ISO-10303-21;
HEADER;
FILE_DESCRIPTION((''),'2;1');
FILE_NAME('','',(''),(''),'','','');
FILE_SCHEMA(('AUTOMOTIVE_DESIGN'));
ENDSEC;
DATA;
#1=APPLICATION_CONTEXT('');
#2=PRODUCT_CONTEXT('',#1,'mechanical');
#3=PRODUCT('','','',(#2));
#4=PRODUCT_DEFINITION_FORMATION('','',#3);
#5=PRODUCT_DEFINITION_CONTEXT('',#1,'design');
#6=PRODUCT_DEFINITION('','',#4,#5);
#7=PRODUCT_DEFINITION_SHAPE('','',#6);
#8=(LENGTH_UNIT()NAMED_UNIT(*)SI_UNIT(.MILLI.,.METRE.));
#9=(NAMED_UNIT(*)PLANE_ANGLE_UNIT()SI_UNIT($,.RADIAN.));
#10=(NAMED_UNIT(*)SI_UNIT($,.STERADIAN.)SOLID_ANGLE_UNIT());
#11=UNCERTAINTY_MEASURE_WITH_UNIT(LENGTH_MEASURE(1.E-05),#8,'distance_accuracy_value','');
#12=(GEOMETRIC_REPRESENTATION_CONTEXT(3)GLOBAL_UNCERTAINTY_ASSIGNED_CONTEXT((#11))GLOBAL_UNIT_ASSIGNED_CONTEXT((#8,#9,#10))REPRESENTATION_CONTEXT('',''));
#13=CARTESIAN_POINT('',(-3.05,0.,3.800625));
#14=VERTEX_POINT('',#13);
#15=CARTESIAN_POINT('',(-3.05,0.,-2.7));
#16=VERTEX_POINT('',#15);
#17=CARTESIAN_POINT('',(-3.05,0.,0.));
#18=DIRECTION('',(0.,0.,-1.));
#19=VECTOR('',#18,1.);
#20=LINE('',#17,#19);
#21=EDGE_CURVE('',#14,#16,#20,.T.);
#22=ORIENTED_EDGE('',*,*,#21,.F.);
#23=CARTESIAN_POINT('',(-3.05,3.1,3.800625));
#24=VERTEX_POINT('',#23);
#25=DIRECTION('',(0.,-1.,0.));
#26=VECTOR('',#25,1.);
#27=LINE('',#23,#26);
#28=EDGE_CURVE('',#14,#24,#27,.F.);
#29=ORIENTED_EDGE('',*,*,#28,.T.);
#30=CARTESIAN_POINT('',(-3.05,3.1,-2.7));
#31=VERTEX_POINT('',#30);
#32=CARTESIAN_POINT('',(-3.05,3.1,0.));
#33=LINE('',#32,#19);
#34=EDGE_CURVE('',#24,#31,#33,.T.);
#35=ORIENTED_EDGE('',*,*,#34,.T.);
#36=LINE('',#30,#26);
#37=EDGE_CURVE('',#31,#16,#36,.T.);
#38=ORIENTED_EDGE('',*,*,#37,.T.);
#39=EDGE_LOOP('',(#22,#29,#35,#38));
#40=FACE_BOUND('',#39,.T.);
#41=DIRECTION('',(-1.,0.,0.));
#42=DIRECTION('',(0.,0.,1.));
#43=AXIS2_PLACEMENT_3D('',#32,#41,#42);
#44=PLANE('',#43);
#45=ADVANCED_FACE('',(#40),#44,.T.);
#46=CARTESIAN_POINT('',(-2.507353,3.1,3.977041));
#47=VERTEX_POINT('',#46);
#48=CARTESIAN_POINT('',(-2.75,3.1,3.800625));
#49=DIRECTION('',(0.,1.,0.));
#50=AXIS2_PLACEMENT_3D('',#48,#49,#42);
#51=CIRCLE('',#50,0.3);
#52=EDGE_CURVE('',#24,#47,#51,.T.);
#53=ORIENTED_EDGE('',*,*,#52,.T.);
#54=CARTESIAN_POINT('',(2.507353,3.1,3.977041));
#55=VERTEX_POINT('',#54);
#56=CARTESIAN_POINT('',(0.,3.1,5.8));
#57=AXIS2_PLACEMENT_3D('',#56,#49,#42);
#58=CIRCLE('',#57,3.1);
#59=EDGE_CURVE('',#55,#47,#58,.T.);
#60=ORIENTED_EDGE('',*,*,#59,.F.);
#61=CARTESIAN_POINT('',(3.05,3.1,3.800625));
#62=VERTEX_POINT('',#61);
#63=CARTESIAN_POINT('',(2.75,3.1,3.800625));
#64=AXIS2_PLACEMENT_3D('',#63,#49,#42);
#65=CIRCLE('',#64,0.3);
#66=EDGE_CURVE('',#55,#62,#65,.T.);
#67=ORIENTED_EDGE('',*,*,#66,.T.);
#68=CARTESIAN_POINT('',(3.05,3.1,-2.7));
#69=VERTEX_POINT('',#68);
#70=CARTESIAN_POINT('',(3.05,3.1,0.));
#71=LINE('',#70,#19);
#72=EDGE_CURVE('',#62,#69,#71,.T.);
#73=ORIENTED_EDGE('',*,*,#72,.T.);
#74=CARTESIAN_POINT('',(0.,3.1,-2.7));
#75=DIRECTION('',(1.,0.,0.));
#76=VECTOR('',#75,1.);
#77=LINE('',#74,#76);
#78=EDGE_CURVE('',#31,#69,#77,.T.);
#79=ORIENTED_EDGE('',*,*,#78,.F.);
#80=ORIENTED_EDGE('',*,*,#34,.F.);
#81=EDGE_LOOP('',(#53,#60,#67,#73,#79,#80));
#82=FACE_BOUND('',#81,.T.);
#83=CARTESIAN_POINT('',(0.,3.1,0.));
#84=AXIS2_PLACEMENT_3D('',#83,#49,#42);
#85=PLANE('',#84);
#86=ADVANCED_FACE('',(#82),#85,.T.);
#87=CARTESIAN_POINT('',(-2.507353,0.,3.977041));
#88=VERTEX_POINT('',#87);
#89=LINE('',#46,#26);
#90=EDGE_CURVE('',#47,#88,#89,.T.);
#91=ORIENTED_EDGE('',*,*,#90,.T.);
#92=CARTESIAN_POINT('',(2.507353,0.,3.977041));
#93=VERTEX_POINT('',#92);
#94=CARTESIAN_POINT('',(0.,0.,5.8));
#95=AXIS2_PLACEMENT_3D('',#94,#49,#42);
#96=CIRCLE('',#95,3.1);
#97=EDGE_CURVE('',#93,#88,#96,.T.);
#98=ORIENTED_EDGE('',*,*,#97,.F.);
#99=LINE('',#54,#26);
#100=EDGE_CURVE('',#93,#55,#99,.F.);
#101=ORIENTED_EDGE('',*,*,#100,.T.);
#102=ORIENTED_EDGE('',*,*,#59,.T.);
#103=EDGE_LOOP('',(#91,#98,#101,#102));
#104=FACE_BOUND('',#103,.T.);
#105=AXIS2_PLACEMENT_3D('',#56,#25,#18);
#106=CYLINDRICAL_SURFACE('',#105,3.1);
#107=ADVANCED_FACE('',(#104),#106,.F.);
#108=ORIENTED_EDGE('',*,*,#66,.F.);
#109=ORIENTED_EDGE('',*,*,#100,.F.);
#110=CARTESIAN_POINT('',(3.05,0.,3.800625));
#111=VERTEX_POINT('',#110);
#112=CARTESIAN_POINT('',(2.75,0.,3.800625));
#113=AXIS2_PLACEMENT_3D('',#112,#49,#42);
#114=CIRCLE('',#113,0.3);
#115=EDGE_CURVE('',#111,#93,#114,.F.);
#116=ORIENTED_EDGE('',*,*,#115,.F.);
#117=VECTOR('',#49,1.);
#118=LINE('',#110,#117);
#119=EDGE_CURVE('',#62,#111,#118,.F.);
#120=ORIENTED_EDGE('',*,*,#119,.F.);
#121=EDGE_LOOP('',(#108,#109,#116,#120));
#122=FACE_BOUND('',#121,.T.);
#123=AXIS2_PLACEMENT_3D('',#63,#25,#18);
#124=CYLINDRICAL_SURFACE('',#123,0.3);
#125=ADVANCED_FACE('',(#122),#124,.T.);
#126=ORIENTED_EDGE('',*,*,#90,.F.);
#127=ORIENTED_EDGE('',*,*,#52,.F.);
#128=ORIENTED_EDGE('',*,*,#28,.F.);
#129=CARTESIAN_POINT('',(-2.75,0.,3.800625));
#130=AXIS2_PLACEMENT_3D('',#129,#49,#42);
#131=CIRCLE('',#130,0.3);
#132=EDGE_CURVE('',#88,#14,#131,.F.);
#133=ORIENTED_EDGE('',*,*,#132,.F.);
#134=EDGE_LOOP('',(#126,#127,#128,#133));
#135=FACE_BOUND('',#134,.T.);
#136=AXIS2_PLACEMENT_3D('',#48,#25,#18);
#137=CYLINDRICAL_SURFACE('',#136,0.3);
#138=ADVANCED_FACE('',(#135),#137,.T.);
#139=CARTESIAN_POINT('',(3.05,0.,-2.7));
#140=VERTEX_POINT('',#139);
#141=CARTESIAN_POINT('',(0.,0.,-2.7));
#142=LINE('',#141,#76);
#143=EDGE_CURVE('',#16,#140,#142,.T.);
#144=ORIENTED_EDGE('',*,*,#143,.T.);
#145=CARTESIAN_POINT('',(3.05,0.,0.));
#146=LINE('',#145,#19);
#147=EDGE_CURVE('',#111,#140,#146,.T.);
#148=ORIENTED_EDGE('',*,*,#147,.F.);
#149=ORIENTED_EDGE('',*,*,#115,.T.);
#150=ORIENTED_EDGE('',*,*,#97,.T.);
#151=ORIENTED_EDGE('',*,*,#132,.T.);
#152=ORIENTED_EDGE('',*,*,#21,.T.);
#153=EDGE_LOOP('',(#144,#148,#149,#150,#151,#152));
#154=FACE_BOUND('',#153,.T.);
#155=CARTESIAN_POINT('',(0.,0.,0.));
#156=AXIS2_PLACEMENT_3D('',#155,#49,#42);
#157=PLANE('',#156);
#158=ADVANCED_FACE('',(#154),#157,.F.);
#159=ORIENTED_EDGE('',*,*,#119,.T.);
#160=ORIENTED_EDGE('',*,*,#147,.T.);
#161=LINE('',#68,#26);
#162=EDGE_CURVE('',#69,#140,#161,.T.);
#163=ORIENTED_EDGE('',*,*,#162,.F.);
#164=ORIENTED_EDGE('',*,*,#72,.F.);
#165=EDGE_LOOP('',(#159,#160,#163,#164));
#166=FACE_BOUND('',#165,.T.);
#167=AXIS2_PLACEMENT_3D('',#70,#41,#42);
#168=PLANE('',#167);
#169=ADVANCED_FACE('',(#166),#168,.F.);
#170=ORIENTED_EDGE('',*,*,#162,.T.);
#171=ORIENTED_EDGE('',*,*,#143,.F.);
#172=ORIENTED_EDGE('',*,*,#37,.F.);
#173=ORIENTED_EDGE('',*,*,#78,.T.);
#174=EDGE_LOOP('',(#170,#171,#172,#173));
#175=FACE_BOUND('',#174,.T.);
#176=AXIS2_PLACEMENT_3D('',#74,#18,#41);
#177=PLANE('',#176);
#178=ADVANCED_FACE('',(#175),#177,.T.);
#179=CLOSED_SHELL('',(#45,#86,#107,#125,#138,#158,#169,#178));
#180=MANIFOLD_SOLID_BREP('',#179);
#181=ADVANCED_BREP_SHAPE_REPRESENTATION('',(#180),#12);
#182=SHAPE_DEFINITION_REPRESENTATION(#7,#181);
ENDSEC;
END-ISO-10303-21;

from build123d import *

# Parameters (mm, degrees)
SKETCH1_W           = 6.1
SKETCH1_H           = 5.4
BOSS_EXTRUDE2_DEPTH = 3.1
FILLET1_R           = 0.3


with BuildPart() as part:
    # Sketch1 → Boss-Extrude2 (new body)
    with BuildSketch(Plane(origin=(0, 0, 0), x_dir=(1, 0, 0), z_dir=(0, 1, 0))):
        Rectangle(SKETCH1_W, SKETCH1_H)
        with BuildLine():
            Line((0, -2.7), (-3.05, -2.7))
            Line((-3.05, -2.7), (-3.05, -5.245473175))
            ThreePointArc((-3.05, -5.245473175), (-1.986324098, -3.419975509), (0, -2.7))
        make_face()
        with BuildLine():
            Line((3.05, -2.7), (0, -2.7))
            ThreePointArc((0, -2.7), (1.986324098, -3.419975509), (3.05, -5.245473175))
            Line((3.05, -5.245473175), (3.05, -2.7))
        make_face()
    extrude(amount=BOSS_EXTRUDE2_DEPTH)

    # Fillet1
    fillet1_edges = [part.edges().sort_by_distance(p)[0] for p in [
        (3.05, 1.55, 5.245473175),
        (-3.05, 1.55, 5.245473175),
    ]]
    fillet(fillet1_edges, radius=FILLET1_R)


solid = part.part
